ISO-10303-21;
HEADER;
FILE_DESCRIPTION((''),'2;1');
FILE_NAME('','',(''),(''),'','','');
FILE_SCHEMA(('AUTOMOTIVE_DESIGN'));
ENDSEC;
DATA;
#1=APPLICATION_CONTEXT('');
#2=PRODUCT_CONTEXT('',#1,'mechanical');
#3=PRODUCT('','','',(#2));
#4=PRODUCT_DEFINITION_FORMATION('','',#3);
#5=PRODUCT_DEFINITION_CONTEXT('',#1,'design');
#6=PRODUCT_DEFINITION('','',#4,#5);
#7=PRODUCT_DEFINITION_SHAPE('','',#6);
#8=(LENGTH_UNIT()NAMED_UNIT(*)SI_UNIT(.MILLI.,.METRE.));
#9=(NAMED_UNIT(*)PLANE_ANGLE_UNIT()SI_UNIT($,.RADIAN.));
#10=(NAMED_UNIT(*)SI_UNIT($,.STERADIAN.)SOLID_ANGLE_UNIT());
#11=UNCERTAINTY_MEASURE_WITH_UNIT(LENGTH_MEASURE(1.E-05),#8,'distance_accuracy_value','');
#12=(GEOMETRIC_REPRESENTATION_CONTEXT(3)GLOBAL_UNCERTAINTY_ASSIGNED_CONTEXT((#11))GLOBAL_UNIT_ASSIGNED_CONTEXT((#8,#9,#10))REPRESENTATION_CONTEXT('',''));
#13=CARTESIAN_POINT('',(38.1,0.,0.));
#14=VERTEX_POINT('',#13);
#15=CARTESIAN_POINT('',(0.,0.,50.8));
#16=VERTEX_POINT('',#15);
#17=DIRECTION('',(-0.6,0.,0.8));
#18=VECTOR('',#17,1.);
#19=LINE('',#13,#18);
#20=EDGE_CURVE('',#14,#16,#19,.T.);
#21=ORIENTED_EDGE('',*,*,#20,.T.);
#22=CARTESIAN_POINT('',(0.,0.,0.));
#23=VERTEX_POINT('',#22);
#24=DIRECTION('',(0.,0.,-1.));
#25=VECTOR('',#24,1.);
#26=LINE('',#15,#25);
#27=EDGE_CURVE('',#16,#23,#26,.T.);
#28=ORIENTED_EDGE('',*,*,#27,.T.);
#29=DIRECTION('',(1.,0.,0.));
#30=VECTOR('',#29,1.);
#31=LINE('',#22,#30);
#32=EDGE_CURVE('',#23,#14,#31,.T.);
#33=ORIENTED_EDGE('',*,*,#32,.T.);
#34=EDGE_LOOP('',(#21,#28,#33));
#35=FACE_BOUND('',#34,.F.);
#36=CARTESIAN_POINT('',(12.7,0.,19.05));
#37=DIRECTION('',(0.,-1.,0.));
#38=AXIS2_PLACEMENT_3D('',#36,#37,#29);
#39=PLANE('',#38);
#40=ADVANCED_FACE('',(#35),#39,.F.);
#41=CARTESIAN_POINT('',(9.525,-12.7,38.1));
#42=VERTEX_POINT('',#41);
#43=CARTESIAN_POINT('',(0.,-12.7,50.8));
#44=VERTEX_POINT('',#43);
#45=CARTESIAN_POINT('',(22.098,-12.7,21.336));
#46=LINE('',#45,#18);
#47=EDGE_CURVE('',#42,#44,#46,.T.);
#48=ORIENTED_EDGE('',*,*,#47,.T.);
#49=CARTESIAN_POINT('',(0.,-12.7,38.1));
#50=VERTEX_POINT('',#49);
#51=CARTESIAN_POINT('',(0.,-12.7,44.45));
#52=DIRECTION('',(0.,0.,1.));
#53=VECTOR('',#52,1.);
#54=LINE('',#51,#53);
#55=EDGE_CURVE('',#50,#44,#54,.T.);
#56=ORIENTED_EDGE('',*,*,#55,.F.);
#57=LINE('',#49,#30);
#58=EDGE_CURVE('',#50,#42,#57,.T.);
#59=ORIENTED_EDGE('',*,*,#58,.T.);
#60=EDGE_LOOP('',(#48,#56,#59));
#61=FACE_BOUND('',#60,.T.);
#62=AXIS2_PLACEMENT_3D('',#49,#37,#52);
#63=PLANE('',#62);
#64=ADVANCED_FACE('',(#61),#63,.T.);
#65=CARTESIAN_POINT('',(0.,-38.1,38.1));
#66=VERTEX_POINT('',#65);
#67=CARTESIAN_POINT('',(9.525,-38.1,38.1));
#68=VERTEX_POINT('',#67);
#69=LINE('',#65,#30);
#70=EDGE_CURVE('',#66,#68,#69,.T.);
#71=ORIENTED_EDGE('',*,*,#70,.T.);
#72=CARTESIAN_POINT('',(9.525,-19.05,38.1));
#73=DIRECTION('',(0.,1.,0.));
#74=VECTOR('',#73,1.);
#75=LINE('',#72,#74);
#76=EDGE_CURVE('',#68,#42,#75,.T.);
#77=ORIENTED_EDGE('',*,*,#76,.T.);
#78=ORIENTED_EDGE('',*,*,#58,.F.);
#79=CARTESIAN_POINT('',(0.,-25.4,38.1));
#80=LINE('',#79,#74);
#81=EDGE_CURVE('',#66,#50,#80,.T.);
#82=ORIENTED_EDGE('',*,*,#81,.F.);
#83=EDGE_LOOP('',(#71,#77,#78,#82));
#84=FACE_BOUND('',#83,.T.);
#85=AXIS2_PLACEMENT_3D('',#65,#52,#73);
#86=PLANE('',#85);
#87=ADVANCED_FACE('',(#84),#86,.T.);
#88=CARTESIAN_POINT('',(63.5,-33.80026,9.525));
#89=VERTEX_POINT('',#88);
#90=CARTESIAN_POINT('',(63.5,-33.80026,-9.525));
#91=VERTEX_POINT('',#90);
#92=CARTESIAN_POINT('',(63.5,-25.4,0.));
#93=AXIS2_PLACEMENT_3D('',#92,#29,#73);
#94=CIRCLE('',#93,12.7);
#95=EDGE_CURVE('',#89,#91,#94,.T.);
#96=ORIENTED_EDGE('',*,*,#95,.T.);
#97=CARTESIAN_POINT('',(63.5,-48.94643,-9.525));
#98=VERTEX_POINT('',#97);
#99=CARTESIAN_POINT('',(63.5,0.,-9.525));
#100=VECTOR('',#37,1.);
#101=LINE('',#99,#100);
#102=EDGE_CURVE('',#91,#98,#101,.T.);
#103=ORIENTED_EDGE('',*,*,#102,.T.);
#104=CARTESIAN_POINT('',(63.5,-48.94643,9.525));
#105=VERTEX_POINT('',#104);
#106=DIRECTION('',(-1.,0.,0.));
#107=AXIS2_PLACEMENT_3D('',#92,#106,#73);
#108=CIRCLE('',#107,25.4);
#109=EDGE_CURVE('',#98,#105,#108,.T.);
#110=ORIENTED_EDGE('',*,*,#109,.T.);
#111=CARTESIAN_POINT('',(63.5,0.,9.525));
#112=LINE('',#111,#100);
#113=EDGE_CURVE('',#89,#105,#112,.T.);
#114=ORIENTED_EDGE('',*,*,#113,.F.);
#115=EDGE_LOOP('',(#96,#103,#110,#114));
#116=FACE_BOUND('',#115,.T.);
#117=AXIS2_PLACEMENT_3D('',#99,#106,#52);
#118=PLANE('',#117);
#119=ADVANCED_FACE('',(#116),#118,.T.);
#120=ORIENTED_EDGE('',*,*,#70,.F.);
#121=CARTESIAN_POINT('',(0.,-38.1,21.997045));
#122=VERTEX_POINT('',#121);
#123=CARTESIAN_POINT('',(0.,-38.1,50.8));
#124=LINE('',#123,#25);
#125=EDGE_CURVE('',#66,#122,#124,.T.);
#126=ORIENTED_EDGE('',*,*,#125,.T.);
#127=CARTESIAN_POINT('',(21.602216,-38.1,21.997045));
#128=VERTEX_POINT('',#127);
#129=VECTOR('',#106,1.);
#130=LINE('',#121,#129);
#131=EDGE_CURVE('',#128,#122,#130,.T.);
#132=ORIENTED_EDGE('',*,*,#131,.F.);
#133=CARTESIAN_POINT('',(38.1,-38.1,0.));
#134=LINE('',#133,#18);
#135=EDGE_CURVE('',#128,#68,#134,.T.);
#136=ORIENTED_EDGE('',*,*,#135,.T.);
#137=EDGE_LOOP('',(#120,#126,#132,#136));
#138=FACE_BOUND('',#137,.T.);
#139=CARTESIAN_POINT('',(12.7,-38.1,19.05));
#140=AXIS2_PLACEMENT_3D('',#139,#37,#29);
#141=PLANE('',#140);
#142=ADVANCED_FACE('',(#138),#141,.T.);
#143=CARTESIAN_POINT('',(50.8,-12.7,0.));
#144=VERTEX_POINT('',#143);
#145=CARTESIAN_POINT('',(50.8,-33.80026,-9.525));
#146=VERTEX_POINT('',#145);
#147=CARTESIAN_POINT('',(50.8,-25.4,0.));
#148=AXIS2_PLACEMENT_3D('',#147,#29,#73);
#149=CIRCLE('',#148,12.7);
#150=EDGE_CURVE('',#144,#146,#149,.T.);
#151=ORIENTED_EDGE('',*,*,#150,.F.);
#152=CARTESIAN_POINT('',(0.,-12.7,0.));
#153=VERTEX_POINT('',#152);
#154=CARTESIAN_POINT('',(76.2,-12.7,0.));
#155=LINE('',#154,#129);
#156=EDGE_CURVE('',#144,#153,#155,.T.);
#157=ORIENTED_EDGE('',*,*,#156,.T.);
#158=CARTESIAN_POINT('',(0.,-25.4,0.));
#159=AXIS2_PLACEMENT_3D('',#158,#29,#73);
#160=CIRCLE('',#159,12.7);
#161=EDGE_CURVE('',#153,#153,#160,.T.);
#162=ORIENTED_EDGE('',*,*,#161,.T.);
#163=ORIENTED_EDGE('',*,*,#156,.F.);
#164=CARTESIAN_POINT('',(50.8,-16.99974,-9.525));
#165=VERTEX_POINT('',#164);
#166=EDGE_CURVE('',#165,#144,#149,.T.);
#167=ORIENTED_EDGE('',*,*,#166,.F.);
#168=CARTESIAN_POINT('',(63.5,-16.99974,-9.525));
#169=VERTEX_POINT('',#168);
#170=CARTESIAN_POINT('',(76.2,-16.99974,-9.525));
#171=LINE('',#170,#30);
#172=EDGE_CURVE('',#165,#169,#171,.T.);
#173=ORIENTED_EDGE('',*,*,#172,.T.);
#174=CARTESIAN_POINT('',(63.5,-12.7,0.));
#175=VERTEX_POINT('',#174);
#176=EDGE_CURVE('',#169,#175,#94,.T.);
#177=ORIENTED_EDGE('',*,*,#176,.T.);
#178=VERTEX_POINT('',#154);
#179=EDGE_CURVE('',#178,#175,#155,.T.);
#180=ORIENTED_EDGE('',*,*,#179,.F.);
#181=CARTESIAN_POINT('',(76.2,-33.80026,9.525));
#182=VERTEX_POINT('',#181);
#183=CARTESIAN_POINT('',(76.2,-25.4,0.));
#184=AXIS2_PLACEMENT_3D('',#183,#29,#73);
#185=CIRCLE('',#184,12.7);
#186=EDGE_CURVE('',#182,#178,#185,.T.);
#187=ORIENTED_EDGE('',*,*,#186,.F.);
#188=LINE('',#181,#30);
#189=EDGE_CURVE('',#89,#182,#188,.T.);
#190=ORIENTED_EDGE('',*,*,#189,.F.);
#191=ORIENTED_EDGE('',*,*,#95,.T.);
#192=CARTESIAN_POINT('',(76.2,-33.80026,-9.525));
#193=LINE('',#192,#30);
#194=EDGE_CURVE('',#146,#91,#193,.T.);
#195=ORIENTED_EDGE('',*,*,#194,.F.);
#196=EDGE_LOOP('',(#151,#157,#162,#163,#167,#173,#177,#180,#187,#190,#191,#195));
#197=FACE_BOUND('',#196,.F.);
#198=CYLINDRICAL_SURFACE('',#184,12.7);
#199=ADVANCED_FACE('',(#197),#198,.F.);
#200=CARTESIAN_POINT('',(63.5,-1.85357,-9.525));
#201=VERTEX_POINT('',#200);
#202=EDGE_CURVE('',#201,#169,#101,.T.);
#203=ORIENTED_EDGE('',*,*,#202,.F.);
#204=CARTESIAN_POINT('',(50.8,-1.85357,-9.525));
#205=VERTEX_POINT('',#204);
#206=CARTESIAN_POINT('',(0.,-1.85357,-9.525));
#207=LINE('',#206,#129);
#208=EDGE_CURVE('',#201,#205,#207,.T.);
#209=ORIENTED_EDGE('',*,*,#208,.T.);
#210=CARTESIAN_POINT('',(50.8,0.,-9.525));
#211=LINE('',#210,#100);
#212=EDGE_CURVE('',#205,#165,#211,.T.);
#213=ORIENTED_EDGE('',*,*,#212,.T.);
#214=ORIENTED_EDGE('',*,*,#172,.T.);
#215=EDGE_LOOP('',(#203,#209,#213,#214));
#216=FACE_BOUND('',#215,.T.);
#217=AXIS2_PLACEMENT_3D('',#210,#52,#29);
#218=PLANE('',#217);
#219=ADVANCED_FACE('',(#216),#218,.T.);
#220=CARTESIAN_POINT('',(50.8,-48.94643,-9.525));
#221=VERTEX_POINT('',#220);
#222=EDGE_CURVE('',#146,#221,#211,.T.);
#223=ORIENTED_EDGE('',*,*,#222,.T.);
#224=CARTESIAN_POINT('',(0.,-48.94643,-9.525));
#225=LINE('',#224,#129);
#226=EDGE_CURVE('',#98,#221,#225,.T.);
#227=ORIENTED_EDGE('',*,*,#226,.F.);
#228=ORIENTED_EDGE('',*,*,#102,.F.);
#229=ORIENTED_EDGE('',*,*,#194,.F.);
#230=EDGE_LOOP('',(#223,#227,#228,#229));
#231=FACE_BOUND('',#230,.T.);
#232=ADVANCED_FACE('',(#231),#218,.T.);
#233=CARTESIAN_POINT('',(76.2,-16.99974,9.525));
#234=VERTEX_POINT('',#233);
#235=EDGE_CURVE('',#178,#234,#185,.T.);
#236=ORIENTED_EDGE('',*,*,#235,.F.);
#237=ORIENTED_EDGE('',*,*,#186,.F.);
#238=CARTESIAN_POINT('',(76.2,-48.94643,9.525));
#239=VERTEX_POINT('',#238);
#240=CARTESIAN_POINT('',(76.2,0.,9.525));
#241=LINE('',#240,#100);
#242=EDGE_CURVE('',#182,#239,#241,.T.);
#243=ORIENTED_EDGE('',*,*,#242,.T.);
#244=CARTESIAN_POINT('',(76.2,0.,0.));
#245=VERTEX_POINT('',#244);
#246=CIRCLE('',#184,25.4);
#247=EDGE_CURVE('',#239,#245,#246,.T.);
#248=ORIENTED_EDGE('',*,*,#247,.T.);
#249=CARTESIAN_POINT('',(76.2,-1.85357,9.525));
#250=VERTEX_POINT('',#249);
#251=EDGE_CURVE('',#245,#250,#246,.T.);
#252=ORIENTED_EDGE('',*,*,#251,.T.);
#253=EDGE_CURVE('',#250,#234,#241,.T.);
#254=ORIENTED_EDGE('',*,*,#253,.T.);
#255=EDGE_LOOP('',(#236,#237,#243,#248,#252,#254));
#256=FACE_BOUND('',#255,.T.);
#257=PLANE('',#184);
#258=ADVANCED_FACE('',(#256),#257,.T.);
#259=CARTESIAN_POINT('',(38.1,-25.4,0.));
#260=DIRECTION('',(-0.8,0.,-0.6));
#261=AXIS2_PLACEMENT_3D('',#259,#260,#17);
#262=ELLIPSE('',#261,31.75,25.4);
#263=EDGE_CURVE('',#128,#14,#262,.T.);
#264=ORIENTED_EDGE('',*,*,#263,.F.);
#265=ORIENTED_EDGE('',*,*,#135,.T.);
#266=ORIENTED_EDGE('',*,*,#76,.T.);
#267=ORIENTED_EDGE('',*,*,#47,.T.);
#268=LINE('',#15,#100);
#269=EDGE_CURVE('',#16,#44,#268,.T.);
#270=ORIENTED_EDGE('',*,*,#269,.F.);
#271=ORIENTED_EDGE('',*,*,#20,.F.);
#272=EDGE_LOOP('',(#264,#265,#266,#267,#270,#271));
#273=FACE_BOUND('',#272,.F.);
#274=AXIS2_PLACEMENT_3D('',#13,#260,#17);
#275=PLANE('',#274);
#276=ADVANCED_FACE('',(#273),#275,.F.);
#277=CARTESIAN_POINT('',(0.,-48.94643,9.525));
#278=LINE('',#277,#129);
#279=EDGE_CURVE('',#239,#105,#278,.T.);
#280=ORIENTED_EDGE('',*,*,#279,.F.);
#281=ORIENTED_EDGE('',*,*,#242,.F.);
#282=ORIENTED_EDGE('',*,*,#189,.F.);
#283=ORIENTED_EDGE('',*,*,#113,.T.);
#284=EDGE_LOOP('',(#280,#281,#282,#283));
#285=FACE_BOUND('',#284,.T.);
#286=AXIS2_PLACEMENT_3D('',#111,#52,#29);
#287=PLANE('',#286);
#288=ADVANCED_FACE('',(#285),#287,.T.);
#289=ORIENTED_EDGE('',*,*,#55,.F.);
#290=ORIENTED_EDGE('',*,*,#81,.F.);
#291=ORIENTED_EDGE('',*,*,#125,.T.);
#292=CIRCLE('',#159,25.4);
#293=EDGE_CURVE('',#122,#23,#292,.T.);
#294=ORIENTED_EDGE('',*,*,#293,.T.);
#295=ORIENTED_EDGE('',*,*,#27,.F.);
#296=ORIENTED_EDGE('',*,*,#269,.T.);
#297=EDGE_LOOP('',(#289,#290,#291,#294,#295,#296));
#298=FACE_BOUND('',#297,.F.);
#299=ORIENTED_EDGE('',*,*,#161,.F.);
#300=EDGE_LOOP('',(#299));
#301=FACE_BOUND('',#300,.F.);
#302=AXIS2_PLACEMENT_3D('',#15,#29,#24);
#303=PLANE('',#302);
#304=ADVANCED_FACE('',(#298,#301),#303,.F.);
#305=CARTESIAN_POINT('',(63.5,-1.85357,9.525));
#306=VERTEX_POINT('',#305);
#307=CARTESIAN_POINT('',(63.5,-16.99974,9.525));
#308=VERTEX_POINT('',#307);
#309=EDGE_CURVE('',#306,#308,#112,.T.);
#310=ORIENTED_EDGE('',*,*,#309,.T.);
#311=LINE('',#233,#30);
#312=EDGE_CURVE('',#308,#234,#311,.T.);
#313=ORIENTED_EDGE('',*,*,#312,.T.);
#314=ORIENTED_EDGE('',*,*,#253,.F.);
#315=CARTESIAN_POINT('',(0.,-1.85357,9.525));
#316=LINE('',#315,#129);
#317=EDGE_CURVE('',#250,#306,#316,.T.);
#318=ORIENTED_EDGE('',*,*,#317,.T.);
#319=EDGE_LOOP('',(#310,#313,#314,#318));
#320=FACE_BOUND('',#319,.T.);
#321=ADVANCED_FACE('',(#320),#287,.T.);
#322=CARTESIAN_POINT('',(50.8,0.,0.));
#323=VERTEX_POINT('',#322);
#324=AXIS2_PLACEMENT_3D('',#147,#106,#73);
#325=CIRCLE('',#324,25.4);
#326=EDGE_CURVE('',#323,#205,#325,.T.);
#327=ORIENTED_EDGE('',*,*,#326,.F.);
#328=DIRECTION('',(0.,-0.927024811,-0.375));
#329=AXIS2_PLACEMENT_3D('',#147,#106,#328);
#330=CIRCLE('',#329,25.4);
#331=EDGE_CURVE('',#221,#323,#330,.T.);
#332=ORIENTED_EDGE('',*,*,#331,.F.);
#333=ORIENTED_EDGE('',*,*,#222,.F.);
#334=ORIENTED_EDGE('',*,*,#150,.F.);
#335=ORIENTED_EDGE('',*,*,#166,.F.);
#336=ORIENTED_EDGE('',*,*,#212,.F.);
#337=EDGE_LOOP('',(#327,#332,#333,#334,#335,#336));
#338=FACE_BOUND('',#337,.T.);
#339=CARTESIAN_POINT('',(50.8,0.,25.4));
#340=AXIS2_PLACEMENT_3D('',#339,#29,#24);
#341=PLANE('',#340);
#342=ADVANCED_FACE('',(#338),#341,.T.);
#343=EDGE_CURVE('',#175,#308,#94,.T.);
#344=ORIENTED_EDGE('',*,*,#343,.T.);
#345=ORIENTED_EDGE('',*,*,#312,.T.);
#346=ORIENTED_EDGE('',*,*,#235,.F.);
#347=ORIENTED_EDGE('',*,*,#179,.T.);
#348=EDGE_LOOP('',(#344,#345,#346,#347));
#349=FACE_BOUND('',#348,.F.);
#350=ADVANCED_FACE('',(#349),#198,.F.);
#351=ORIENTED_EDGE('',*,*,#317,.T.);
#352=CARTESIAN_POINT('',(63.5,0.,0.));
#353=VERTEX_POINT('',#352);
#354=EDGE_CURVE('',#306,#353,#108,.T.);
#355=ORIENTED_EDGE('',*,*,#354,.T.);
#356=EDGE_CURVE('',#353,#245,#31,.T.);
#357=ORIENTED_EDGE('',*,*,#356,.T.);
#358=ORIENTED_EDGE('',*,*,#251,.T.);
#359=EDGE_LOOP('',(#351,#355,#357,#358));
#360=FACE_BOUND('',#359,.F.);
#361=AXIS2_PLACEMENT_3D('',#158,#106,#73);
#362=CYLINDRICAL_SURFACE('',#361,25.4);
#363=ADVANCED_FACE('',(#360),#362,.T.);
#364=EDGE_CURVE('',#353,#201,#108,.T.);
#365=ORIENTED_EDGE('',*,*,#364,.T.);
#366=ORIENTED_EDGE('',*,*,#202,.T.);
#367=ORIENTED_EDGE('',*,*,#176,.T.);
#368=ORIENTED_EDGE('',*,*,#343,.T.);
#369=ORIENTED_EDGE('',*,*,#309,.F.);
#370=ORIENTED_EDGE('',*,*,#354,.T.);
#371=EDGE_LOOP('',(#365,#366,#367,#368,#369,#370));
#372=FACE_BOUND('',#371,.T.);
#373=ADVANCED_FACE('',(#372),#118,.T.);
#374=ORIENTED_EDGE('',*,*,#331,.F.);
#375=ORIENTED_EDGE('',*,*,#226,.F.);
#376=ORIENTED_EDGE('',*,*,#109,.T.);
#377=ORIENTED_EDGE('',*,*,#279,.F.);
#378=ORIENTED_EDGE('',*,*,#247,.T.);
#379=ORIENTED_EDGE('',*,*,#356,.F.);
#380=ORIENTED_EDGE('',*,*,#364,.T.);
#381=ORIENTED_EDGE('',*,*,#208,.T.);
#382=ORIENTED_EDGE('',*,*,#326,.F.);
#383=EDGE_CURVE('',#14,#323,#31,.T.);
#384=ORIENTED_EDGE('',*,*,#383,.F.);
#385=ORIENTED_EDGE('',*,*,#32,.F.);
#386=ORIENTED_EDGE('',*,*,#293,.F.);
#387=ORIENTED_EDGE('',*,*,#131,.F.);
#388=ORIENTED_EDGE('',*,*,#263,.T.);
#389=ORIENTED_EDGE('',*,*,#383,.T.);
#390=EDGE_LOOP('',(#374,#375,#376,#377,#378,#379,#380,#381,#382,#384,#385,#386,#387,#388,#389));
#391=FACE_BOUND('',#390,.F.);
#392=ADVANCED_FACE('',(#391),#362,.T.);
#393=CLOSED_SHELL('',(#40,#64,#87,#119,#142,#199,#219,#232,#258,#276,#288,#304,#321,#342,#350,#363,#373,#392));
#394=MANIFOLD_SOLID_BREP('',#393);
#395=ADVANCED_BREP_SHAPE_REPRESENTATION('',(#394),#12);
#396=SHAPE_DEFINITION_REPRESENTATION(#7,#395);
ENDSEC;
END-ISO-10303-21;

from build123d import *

# Parameters (mm, degrees)
F1_DEPTH = 38.1
F2_R     = 25.4
F3_DEPTH = 76.2
F4_R     = 12.7
F5_DEPTH = 76.201
F7_DEPTH = 50.801
F8_W     = 25.4
F8_H     = 12.7
F9_DEPTH = 25.4


with BuildPart() as f1:
    # F0 (on Front) → F1 (new body)
    with BuildSketch(Plane.XZ):
        Polygon((0, 50.8), (0, 0), (38.1, 0), align=None)
    extrude(amount=F1_DEPTH)

    # F2 (on Right) → F3 (join)
    with BuildSketch(Plane.YZ):
        with Locations((-25.4, 0)):
            Circle(F2_R)
    extrude(amount=F3_DEPTH)

    # F4 (on face) → F5 (cut, through all)
    with BuildSketch(Plane.YZ.offset(76.2)):
        with Locations((-25.4, 0)):
            Circle(F4_R)
    extrude(amount=-F5_DEPTH, mode=Mode.SUBTRACT)

    # F6 (on Front) → F7 (cut, through all)
    with BuildSketch(Plane.XZ):
        Polygon((76.2, 25.4), (50.8, 25.4), (50.8, -9.525), (63.5, -9.525), (63.5, 9.525), (76.2, 9.525), align=None)
    extrude(amount=F7_DEPTH, mode=Mode.SUBTRACT)

    # F8 (on Right) → F9 (cut)
    with BuildSketch(Plane.YZ):
        with Locations((-25.4, 44.45)):
            Rectangle(F8_W, F8_H)
    extrude(amount=F9_DEPTH, mode=Mode.SUBTRACT)


solid = f1.part
